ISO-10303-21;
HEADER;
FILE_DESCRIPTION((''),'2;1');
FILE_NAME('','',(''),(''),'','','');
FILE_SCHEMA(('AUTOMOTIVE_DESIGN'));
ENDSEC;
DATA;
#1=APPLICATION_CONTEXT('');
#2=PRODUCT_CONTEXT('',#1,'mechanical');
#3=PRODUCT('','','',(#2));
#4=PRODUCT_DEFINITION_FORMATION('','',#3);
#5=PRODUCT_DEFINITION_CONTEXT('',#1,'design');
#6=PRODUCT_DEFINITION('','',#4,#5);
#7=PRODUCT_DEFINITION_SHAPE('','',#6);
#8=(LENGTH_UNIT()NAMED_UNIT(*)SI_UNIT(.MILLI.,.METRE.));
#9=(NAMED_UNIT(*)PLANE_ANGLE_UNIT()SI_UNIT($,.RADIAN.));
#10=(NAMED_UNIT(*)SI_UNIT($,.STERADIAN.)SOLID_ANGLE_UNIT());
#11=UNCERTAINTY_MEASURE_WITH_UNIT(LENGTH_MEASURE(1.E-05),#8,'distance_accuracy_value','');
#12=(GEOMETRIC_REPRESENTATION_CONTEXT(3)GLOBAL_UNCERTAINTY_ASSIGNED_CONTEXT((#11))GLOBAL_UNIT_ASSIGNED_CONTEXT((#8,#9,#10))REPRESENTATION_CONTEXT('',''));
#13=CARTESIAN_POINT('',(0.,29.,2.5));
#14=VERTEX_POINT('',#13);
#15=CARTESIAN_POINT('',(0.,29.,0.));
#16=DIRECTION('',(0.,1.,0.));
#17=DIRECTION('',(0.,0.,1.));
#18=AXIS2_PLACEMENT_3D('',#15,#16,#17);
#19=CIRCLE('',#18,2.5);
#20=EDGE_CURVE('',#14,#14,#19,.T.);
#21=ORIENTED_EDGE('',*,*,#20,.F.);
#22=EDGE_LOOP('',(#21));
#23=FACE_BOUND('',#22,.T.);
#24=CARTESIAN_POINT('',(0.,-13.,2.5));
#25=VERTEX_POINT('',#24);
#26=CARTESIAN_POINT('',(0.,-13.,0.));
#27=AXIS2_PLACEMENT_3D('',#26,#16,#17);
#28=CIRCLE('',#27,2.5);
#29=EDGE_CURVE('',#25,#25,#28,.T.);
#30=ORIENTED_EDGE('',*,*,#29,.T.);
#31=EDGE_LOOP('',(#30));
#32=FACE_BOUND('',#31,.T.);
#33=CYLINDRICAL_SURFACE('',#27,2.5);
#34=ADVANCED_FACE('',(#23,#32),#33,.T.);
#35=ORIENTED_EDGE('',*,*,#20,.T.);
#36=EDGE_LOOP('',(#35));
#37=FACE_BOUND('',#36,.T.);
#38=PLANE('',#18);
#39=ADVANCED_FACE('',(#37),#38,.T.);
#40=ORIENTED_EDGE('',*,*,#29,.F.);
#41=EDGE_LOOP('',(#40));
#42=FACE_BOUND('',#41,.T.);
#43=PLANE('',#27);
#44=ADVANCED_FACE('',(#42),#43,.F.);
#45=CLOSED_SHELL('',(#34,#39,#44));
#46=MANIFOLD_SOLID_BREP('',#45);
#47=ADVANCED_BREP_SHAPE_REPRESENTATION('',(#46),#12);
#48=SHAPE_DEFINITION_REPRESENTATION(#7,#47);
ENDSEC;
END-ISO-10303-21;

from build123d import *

# Parameters (mm, degrees)
SKETCH1_R                = 2.5
BOSS_EXTRUDE1_DEPTH      = 29
BOSS_EXTRUDE1_DEPTH_BACK = 13


with BuildPart() as part:
    # Sketch1 → Boss-Extrude1 (new body, two sides)
    with BuildSketch(Plane(origin=(0, 0, 0), x_dir=(1, 0, 0), z_dir=(0, 1, 0))) as boss_extrude1_sk:
        Circle(SKETCH1_R)
    extrude(amount=BOSS_EXTRUDE1_DEPTH)
    extrude(boss_extrude1_sk.sketch, amount=-BOSS_EXTRUDE1_DEPTH_BACK)


solid = part.part
